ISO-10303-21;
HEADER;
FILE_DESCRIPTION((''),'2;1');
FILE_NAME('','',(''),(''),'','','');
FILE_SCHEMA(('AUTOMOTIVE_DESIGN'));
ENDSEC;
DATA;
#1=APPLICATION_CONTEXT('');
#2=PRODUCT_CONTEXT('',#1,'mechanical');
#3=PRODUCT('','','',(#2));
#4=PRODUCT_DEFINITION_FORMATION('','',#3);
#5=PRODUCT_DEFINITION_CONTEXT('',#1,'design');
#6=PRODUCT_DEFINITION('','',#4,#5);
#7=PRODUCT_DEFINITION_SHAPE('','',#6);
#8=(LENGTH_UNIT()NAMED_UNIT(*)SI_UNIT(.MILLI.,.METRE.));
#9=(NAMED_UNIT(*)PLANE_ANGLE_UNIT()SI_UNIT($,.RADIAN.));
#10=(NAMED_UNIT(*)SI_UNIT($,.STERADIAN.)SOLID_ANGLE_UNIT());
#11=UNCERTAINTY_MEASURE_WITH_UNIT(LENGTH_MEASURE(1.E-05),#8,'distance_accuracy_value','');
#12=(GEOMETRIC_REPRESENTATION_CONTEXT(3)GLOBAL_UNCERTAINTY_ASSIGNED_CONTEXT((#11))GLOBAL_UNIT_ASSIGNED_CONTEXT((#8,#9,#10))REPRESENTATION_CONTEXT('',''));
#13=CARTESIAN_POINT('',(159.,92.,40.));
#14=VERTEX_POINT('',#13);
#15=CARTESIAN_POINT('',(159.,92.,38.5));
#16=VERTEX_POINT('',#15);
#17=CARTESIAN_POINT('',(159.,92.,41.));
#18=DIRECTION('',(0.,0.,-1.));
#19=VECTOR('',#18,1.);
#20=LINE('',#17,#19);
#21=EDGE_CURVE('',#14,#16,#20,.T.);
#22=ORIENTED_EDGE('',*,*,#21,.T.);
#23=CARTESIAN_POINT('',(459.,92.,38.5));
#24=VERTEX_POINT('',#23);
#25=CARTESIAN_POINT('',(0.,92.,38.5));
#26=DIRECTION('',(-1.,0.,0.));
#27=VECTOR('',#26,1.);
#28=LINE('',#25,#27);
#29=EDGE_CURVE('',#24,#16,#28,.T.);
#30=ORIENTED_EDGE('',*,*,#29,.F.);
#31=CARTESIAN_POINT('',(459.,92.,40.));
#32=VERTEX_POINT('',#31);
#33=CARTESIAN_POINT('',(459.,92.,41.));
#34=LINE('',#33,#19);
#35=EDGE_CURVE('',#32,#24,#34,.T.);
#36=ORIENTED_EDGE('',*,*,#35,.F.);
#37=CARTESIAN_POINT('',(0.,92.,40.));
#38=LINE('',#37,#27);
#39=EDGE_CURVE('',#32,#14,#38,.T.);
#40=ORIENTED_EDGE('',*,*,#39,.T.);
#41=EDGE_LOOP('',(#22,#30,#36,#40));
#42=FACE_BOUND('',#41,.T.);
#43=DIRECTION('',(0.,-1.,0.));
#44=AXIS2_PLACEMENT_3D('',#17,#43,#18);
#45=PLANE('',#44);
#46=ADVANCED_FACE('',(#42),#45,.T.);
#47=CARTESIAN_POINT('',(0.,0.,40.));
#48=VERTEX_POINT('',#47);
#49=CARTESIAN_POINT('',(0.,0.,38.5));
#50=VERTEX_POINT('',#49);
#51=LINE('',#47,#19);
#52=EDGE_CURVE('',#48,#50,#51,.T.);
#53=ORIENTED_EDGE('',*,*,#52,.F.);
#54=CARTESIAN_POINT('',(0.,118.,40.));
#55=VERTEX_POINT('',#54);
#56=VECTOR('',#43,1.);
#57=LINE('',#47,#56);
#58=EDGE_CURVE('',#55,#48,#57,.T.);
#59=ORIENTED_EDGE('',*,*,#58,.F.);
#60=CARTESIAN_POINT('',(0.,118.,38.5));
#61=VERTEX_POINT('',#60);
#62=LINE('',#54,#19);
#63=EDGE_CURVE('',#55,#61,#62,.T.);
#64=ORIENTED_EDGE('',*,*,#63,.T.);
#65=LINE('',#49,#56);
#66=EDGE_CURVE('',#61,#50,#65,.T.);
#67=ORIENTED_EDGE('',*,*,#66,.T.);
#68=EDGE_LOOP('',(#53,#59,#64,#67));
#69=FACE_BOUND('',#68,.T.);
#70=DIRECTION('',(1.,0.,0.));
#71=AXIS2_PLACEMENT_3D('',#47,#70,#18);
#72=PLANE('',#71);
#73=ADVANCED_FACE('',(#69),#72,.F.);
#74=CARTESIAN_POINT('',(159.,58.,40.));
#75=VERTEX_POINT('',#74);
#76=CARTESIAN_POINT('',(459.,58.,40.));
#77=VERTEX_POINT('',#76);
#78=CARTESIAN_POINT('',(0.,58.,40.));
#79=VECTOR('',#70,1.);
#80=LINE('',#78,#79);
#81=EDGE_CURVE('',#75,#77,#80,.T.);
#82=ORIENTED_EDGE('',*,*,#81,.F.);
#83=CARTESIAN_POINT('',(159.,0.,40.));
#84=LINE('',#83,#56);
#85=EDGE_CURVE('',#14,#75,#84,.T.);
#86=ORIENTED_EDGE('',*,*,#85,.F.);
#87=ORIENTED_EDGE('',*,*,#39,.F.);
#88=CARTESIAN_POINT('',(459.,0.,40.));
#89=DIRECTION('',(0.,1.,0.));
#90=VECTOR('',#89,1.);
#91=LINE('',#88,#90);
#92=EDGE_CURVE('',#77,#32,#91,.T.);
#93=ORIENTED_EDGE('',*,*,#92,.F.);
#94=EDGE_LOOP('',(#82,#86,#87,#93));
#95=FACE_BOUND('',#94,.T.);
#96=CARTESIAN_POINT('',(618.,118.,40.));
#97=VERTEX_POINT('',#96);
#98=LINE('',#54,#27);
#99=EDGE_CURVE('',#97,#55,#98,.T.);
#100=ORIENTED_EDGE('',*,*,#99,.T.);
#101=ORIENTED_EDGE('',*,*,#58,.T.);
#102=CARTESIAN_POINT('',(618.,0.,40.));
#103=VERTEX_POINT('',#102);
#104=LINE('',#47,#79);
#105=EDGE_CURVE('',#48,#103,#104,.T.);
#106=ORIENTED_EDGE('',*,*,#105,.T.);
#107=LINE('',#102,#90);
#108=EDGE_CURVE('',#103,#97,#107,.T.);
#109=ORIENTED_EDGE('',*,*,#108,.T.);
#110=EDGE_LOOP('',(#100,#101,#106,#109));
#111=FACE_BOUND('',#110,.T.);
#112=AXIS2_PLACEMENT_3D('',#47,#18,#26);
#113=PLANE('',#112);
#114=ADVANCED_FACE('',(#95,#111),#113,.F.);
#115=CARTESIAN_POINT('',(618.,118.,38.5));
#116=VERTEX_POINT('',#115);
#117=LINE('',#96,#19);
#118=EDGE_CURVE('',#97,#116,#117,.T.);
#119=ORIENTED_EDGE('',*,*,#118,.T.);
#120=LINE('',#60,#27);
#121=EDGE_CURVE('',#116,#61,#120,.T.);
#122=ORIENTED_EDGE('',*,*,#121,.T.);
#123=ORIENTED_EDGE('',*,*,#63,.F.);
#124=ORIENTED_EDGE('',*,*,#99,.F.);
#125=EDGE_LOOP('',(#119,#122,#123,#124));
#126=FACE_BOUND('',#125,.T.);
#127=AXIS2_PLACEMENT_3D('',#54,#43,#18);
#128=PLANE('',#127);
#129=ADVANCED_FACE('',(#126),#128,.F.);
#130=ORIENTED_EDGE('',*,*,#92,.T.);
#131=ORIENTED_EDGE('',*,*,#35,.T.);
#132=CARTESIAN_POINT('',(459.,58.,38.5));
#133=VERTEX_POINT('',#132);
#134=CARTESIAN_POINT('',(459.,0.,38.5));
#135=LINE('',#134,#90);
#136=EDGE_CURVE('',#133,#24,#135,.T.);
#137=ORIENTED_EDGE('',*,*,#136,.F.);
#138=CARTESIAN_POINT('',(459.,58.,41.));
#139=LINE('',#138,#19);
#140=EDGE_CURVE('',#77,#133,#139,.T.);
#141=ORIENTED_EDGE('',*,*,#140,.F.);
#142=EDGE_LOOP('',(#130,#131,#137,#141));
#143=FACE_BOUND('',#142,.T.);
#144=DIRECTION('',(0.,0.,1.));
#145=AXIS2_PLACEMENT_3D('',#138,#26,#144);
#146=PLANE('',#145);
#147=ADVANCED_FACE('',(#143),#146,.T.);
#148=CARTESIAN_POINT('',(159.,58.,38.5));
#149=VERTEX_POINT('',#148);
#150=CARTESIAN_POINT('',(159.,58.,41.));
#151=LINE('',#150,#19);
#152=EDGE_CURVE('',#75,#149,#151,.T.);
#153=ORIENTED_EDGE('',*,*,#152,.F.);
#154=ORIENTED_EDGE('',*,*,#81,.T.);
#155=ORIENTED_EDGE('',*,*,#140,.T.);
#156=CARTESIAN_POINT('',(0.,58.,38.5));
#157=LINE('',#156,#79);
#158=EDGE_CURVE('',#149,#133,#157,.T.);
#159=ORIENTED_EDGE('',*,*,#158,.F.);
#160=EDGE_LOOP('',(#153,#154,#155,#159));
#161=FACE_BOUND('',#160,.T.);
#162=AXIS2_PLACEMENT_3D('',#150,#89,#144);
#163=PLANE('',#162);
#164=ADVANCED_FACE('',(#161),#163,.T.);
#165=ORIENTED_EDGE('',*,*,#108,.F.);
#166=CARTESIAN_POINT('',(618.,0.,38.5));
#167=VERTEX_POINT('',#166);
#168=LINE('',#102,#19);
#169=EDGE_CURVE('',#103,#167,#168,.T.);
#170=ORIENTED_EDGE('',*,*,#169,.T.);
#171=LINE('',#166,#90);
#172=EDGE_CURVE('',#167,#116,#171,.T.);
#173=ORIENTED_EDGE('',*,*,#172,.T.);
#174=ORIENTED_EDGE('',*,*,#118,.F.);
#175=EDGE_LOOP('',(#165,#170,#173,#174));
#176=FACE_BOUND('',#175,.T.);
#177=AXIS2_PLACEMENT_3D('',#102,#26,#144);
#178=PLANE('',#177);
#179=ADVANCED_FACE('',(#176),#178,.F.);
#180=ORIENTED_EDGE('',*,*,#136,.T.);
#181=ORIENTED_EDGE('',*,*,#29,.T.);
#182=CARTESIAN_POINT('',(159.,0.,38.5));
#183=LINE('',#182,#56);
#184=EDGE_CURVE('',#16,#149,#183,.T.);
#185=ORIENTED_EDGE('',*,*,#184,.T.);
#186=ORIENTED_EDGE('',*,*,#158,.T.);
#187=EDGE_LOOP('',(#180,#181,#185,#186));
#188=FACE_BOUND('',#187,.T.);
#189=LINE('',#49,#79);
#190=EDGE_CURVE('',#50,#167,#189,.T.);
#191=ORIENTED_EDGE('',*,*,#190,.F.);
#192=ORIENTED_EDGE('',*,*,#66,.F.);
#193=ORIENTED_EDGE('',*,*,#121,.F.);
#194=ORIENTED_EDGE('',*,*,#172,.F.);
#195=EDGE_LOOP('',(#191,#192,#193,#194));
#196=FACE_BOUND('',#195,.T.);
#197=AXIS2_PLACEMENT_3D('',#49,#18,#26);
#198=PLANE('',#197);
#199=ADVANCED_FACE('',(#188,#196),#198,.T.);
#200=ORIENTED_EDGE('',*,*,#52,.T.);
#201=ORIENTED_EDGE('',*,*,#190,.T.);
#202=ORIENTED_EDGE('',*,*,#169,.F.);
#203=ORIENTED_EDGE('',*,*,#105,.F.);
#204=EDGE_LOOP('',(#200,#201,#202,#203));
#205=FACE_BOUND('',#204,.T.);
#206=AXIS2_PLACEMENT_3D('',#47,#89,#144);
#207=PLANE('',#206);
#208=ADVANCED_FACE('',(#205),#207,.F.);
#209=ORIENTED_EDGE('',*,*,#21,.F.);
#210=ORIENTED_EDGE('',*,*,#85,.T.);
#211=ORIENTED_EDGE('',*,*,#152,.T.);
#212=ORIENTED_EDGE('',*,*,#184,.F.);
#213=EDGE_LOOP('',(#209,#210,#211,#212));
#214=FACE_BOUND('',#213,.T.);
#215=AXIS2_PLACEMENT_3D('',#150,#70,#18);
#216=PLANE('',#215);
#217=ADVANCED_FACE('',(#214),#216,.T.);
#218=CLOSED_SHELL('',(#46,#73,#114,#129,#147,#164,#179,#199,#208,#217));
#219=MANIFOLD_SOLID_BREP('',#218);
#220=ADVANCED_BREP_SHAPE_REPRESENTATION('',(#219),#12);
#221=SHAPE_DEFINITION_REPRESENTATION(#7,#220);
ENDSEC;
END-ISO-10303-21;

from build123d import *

# Parameters (mm, degrees)
CEK_ICECEK_ON_DIS_SAC_1_5_1_START = 38.5
SKETCH1_W                         = 618
SKETCH1_H                         = 118
CEK_ICECEK_ON_DIS_SAC_1_5_1_DEPTH = 1.5
CEK_ICECEK_ON_DIS_SAC_1_5_2_START = 27
SKETCH2_W                         = 300
SKETCH2_H                         = 34
CEK_ICECEK_ON_DIS_SAC_1_5_2_DEPTH = 14


with BuildPart() as part:
    # Sketch1 → CEK_icecek_on_dis_sac_1.5_1 (new body)
    with BuildSketch(Plane.XY.offset(CEK_ICECEK_ON_DIS_SAC_1_5_1_START)):
        with Locations((309, 59)):
            Rectangle(SKETCH1_W, SKETCH1_H)
    extrude(amount=CEK_ICECEK_ON_DIS_SAC_1_5_1_DEPTH)

    # Sketch2 → CEK_icecek_on_dis_sac_1.5_2 (cut)
    with BuildSketch(Plane.XY.offset(CEK_ICECEK_ON_DIS_SAC_1_5_2_START)):
        with Locations((309, 75)):
            Rectangle(SKETCH2_W, SKETCH2_H)
    extrude(amount=CEK_ICECEK_ON_DIS_SAC_1_5_2_DEPTH, mode=Mode.SUBTRACT)


solid = part.part
